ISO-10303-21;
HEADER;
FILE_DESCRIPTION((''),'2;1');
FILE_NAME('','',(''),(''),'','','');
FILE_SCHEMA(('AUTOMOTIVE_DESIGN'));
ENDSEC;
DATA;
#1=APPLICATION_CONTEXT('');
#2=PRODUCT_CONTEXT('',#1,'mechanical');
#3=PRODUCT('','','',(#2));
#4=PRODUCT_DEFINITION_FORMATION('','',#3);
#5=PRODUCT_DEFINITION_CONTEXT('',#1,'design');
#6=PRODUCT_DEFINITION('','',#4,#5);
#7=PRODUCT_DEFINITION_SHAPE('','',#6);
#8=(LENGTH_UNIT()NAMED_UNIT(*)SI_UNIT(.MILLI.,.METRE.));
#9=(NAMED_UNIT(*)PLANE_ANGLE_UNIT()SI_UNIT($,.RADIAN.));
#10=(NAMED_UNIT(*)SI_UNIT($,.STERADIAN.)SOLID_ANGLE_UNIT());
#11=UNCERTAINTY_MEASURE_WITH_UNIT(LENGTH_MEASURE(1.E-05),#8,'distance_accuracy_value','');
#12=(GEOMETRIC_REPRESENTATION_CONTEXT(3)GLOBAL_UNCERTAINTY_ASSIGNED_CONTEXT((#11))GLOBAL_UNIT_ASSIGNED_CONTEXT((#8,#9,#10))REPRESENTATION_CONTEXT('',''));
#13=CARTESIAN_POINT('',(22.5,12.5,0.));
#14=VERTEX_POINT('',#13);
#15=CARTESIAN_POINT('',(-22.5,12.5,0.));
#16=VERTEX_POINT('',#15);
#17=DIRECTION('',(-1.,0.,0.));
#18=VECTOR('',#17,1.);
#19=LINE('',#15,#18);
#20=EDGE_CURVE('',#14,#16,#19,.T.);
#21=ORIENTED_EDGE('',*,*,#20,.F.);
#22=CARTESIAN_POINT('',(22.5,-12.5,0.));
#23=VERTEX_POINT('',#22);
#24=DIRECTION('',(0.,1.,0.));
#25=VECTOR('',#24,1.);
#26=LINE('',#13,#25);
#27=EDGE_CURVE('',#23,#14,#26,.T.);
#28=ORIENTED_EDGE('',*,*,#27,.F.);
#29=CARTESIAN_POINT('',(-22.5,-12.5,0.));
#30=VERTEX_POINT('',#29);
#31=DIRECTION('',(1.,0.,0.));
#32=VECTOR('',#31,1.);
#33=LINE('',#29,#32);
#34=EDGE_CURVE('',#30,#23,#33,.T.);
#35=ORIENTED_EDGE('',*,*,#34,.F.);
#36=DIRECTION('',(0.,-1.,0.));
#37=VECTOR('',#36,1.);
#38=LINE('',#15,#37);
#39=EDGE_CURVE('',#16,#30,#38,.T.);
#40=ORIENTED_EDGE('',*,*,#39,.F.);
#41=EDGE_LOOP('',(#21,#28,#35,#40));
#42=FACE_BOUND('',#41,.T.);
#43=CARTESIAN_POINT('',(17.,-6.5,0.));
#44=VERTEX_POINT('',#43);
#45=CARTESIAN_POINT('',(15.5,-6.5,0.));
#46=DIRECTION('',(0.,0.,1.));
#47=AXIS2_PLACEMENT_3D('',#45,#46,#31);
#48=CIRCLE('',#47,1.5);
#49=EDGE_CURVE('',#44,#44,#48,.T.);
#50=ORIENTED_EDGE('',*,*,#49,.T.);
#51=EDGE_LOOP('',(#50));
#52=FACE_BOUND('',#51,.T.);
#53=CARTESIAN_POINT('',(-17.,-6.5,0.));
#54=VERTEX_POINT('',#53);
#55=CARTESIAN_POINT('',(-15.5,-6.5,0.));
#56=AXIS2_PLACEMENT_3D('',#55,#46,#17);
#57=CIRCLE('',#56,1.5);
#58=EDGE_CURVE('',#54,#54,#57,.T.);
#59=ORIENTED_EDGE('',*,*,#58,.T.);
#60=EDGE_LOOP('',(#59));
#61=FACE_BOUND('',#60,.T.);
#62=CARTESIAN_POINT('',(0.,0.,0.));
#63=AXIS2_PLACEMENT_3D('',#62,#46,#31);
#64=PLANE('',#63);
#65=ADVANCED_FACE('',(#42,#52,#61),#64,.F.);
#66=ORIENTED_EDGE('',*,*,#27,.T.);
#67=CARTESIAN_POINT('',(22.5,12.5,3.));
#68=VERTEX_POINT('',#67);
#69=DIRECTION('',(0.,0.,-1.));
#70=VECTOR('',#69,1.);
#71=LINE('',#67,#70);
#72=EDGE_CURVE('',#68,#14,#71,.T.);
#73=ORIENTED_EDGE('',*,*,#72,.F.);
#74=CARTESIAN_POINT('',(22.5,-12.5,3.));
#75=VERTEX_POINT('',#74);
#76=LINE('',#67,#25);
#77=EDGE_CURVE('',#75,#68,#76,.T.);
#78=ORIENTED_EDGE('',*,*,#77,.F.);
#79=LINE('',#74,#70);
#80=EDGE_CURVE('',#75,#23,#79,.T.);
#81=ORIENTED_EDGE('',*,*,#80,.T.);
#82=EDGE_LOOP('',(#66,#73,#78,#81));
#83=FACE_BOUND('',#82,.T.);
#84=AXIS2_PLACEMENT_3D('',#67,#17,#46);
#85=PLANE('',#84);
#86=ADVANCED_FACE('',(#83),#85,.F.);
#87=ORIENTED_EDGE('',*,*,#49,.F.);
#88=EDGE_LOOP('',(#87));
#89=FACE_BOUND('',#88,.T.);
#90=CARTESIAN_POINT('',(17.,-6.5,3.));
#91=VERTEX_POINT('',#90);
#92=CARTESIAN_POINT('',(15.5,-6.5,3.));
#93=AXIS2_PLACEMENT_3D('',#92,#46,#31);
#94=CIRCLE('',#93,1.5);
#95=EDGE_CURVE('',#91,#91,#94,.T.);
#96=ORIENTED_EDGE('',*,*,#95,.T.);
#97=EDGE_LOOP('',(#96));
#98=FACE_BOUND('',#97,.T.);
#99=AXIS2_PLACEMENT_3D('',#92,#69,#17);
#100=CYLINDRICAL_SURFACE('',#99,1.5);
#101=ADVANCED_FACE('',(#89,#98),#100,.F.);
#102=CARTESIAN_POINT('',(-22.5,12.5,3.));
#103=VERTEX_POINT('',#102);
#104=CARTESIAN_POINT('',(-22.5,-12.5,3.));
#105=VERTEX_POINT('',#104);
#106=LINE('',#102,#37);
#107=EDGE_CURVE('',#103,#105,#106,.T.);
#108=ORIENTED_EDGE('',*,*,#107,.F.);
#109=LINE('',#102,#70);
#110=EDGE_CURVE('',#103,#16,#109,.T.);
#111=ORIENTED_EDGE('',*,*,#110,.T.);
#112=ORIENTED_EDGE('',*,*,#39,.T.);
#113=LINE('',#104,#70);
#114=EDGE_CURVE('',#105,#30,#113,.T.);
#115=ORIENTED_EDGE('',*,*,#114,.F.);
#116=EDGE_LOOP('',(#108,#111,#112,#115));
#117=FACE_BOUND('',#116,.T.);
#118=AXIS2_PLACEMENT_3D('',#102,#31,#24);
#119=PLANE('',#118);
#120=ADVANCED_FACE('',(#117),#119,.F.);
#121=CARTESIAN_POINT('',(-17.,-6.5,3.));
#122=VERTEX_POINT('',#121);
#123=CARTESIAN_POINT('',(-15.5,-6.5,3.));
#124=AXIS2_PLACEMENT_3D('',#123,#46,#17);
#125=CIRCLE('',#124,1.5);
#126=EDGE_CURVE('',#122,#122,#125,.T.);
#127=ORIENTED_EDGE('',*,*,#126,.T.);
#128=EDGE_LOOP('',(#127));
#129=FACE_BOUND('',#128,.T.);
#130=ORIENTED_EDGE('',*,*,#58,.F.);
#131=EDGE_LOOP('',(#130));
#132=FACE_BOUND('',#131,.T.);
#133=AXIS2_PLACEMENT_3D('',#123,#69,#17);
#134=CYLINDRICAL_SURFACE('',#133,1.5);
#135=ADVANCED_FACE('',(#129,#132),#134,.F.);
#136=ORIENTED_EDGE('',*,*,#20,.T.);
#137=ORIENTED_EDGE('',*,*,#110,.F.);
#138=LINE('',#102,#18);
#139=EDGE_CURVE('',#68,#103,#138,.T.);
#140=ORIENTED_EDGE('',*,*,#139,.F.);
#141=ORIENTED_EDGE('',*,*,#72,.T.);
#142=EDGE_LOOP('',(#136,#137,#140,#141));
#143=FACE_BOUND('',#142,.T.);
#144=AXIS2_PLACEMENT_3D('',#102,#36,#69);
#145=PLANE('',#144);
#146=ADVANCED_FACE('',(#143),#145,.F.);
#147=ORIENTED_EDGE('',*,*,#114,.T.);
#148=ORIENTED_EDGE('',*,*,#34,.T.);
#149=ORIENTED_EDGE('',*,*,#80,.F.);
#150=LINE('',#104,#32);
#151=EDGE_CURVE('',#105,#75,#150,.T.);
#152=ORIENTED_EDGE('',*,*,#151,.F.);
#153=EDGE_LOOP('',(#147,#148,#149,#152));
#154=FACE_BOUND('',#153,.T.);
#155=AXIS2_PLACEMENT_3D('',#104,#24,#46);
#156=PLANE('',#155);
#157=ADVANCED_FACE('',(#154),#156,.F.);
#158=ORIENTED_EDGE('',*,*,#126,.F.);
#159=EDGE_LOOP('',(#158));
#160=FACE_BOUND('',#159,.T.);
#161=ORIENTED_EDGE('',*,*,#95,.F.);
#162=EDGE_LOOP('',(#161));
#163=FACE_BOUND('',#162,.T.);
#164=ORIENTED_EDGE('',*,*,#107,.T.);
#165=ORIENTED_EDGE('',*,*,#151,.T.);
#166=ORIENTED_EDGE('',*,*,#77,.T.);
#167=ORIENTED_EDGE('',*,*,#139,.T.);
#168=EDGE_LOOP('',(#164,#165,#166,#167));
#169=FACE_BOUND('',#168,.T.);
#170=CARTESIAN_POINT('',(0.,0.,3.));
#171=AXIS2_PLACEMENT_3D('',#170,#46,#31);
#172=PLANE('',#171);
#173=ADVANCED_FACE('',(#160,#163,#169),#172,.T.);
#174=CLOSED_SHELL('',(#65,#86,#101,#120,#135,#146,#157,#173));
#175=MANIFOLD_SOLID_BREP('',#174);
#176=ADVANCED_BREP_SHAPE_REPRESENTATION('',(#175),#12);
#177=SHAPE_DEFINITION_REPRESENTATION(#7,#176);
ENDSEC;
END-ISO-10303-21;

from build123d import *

# Parameters (mm, degrees)
CROQUIS1_W              = 45
CROQUIS1_H              = 25
CROQUIS1_R              = 1.5
SALIENTE_EXTRUIR1_DEPTH = 3


with BuildPart() as part:
    # Croquis1 → Saliente-Extruir1 (new body)
    with BuildSketch(Plane.XY):
        Rectangle(CROQUIS1_W, CROQUIS1_H)
        with Locations((15.5, -6.5)):
            Circle(CROQUIS1_R, mode=Mode.SUBTRACT)
        with Locations(Location((-15.5, -6.5, 0), (0, 0, 180))):
            Circle(CROQUIS1_R, mode=Mode.SUBTRACT)
    extrude(amount=SALIENTE_EXTRUIR1_DEPTH)


solid = part.part
